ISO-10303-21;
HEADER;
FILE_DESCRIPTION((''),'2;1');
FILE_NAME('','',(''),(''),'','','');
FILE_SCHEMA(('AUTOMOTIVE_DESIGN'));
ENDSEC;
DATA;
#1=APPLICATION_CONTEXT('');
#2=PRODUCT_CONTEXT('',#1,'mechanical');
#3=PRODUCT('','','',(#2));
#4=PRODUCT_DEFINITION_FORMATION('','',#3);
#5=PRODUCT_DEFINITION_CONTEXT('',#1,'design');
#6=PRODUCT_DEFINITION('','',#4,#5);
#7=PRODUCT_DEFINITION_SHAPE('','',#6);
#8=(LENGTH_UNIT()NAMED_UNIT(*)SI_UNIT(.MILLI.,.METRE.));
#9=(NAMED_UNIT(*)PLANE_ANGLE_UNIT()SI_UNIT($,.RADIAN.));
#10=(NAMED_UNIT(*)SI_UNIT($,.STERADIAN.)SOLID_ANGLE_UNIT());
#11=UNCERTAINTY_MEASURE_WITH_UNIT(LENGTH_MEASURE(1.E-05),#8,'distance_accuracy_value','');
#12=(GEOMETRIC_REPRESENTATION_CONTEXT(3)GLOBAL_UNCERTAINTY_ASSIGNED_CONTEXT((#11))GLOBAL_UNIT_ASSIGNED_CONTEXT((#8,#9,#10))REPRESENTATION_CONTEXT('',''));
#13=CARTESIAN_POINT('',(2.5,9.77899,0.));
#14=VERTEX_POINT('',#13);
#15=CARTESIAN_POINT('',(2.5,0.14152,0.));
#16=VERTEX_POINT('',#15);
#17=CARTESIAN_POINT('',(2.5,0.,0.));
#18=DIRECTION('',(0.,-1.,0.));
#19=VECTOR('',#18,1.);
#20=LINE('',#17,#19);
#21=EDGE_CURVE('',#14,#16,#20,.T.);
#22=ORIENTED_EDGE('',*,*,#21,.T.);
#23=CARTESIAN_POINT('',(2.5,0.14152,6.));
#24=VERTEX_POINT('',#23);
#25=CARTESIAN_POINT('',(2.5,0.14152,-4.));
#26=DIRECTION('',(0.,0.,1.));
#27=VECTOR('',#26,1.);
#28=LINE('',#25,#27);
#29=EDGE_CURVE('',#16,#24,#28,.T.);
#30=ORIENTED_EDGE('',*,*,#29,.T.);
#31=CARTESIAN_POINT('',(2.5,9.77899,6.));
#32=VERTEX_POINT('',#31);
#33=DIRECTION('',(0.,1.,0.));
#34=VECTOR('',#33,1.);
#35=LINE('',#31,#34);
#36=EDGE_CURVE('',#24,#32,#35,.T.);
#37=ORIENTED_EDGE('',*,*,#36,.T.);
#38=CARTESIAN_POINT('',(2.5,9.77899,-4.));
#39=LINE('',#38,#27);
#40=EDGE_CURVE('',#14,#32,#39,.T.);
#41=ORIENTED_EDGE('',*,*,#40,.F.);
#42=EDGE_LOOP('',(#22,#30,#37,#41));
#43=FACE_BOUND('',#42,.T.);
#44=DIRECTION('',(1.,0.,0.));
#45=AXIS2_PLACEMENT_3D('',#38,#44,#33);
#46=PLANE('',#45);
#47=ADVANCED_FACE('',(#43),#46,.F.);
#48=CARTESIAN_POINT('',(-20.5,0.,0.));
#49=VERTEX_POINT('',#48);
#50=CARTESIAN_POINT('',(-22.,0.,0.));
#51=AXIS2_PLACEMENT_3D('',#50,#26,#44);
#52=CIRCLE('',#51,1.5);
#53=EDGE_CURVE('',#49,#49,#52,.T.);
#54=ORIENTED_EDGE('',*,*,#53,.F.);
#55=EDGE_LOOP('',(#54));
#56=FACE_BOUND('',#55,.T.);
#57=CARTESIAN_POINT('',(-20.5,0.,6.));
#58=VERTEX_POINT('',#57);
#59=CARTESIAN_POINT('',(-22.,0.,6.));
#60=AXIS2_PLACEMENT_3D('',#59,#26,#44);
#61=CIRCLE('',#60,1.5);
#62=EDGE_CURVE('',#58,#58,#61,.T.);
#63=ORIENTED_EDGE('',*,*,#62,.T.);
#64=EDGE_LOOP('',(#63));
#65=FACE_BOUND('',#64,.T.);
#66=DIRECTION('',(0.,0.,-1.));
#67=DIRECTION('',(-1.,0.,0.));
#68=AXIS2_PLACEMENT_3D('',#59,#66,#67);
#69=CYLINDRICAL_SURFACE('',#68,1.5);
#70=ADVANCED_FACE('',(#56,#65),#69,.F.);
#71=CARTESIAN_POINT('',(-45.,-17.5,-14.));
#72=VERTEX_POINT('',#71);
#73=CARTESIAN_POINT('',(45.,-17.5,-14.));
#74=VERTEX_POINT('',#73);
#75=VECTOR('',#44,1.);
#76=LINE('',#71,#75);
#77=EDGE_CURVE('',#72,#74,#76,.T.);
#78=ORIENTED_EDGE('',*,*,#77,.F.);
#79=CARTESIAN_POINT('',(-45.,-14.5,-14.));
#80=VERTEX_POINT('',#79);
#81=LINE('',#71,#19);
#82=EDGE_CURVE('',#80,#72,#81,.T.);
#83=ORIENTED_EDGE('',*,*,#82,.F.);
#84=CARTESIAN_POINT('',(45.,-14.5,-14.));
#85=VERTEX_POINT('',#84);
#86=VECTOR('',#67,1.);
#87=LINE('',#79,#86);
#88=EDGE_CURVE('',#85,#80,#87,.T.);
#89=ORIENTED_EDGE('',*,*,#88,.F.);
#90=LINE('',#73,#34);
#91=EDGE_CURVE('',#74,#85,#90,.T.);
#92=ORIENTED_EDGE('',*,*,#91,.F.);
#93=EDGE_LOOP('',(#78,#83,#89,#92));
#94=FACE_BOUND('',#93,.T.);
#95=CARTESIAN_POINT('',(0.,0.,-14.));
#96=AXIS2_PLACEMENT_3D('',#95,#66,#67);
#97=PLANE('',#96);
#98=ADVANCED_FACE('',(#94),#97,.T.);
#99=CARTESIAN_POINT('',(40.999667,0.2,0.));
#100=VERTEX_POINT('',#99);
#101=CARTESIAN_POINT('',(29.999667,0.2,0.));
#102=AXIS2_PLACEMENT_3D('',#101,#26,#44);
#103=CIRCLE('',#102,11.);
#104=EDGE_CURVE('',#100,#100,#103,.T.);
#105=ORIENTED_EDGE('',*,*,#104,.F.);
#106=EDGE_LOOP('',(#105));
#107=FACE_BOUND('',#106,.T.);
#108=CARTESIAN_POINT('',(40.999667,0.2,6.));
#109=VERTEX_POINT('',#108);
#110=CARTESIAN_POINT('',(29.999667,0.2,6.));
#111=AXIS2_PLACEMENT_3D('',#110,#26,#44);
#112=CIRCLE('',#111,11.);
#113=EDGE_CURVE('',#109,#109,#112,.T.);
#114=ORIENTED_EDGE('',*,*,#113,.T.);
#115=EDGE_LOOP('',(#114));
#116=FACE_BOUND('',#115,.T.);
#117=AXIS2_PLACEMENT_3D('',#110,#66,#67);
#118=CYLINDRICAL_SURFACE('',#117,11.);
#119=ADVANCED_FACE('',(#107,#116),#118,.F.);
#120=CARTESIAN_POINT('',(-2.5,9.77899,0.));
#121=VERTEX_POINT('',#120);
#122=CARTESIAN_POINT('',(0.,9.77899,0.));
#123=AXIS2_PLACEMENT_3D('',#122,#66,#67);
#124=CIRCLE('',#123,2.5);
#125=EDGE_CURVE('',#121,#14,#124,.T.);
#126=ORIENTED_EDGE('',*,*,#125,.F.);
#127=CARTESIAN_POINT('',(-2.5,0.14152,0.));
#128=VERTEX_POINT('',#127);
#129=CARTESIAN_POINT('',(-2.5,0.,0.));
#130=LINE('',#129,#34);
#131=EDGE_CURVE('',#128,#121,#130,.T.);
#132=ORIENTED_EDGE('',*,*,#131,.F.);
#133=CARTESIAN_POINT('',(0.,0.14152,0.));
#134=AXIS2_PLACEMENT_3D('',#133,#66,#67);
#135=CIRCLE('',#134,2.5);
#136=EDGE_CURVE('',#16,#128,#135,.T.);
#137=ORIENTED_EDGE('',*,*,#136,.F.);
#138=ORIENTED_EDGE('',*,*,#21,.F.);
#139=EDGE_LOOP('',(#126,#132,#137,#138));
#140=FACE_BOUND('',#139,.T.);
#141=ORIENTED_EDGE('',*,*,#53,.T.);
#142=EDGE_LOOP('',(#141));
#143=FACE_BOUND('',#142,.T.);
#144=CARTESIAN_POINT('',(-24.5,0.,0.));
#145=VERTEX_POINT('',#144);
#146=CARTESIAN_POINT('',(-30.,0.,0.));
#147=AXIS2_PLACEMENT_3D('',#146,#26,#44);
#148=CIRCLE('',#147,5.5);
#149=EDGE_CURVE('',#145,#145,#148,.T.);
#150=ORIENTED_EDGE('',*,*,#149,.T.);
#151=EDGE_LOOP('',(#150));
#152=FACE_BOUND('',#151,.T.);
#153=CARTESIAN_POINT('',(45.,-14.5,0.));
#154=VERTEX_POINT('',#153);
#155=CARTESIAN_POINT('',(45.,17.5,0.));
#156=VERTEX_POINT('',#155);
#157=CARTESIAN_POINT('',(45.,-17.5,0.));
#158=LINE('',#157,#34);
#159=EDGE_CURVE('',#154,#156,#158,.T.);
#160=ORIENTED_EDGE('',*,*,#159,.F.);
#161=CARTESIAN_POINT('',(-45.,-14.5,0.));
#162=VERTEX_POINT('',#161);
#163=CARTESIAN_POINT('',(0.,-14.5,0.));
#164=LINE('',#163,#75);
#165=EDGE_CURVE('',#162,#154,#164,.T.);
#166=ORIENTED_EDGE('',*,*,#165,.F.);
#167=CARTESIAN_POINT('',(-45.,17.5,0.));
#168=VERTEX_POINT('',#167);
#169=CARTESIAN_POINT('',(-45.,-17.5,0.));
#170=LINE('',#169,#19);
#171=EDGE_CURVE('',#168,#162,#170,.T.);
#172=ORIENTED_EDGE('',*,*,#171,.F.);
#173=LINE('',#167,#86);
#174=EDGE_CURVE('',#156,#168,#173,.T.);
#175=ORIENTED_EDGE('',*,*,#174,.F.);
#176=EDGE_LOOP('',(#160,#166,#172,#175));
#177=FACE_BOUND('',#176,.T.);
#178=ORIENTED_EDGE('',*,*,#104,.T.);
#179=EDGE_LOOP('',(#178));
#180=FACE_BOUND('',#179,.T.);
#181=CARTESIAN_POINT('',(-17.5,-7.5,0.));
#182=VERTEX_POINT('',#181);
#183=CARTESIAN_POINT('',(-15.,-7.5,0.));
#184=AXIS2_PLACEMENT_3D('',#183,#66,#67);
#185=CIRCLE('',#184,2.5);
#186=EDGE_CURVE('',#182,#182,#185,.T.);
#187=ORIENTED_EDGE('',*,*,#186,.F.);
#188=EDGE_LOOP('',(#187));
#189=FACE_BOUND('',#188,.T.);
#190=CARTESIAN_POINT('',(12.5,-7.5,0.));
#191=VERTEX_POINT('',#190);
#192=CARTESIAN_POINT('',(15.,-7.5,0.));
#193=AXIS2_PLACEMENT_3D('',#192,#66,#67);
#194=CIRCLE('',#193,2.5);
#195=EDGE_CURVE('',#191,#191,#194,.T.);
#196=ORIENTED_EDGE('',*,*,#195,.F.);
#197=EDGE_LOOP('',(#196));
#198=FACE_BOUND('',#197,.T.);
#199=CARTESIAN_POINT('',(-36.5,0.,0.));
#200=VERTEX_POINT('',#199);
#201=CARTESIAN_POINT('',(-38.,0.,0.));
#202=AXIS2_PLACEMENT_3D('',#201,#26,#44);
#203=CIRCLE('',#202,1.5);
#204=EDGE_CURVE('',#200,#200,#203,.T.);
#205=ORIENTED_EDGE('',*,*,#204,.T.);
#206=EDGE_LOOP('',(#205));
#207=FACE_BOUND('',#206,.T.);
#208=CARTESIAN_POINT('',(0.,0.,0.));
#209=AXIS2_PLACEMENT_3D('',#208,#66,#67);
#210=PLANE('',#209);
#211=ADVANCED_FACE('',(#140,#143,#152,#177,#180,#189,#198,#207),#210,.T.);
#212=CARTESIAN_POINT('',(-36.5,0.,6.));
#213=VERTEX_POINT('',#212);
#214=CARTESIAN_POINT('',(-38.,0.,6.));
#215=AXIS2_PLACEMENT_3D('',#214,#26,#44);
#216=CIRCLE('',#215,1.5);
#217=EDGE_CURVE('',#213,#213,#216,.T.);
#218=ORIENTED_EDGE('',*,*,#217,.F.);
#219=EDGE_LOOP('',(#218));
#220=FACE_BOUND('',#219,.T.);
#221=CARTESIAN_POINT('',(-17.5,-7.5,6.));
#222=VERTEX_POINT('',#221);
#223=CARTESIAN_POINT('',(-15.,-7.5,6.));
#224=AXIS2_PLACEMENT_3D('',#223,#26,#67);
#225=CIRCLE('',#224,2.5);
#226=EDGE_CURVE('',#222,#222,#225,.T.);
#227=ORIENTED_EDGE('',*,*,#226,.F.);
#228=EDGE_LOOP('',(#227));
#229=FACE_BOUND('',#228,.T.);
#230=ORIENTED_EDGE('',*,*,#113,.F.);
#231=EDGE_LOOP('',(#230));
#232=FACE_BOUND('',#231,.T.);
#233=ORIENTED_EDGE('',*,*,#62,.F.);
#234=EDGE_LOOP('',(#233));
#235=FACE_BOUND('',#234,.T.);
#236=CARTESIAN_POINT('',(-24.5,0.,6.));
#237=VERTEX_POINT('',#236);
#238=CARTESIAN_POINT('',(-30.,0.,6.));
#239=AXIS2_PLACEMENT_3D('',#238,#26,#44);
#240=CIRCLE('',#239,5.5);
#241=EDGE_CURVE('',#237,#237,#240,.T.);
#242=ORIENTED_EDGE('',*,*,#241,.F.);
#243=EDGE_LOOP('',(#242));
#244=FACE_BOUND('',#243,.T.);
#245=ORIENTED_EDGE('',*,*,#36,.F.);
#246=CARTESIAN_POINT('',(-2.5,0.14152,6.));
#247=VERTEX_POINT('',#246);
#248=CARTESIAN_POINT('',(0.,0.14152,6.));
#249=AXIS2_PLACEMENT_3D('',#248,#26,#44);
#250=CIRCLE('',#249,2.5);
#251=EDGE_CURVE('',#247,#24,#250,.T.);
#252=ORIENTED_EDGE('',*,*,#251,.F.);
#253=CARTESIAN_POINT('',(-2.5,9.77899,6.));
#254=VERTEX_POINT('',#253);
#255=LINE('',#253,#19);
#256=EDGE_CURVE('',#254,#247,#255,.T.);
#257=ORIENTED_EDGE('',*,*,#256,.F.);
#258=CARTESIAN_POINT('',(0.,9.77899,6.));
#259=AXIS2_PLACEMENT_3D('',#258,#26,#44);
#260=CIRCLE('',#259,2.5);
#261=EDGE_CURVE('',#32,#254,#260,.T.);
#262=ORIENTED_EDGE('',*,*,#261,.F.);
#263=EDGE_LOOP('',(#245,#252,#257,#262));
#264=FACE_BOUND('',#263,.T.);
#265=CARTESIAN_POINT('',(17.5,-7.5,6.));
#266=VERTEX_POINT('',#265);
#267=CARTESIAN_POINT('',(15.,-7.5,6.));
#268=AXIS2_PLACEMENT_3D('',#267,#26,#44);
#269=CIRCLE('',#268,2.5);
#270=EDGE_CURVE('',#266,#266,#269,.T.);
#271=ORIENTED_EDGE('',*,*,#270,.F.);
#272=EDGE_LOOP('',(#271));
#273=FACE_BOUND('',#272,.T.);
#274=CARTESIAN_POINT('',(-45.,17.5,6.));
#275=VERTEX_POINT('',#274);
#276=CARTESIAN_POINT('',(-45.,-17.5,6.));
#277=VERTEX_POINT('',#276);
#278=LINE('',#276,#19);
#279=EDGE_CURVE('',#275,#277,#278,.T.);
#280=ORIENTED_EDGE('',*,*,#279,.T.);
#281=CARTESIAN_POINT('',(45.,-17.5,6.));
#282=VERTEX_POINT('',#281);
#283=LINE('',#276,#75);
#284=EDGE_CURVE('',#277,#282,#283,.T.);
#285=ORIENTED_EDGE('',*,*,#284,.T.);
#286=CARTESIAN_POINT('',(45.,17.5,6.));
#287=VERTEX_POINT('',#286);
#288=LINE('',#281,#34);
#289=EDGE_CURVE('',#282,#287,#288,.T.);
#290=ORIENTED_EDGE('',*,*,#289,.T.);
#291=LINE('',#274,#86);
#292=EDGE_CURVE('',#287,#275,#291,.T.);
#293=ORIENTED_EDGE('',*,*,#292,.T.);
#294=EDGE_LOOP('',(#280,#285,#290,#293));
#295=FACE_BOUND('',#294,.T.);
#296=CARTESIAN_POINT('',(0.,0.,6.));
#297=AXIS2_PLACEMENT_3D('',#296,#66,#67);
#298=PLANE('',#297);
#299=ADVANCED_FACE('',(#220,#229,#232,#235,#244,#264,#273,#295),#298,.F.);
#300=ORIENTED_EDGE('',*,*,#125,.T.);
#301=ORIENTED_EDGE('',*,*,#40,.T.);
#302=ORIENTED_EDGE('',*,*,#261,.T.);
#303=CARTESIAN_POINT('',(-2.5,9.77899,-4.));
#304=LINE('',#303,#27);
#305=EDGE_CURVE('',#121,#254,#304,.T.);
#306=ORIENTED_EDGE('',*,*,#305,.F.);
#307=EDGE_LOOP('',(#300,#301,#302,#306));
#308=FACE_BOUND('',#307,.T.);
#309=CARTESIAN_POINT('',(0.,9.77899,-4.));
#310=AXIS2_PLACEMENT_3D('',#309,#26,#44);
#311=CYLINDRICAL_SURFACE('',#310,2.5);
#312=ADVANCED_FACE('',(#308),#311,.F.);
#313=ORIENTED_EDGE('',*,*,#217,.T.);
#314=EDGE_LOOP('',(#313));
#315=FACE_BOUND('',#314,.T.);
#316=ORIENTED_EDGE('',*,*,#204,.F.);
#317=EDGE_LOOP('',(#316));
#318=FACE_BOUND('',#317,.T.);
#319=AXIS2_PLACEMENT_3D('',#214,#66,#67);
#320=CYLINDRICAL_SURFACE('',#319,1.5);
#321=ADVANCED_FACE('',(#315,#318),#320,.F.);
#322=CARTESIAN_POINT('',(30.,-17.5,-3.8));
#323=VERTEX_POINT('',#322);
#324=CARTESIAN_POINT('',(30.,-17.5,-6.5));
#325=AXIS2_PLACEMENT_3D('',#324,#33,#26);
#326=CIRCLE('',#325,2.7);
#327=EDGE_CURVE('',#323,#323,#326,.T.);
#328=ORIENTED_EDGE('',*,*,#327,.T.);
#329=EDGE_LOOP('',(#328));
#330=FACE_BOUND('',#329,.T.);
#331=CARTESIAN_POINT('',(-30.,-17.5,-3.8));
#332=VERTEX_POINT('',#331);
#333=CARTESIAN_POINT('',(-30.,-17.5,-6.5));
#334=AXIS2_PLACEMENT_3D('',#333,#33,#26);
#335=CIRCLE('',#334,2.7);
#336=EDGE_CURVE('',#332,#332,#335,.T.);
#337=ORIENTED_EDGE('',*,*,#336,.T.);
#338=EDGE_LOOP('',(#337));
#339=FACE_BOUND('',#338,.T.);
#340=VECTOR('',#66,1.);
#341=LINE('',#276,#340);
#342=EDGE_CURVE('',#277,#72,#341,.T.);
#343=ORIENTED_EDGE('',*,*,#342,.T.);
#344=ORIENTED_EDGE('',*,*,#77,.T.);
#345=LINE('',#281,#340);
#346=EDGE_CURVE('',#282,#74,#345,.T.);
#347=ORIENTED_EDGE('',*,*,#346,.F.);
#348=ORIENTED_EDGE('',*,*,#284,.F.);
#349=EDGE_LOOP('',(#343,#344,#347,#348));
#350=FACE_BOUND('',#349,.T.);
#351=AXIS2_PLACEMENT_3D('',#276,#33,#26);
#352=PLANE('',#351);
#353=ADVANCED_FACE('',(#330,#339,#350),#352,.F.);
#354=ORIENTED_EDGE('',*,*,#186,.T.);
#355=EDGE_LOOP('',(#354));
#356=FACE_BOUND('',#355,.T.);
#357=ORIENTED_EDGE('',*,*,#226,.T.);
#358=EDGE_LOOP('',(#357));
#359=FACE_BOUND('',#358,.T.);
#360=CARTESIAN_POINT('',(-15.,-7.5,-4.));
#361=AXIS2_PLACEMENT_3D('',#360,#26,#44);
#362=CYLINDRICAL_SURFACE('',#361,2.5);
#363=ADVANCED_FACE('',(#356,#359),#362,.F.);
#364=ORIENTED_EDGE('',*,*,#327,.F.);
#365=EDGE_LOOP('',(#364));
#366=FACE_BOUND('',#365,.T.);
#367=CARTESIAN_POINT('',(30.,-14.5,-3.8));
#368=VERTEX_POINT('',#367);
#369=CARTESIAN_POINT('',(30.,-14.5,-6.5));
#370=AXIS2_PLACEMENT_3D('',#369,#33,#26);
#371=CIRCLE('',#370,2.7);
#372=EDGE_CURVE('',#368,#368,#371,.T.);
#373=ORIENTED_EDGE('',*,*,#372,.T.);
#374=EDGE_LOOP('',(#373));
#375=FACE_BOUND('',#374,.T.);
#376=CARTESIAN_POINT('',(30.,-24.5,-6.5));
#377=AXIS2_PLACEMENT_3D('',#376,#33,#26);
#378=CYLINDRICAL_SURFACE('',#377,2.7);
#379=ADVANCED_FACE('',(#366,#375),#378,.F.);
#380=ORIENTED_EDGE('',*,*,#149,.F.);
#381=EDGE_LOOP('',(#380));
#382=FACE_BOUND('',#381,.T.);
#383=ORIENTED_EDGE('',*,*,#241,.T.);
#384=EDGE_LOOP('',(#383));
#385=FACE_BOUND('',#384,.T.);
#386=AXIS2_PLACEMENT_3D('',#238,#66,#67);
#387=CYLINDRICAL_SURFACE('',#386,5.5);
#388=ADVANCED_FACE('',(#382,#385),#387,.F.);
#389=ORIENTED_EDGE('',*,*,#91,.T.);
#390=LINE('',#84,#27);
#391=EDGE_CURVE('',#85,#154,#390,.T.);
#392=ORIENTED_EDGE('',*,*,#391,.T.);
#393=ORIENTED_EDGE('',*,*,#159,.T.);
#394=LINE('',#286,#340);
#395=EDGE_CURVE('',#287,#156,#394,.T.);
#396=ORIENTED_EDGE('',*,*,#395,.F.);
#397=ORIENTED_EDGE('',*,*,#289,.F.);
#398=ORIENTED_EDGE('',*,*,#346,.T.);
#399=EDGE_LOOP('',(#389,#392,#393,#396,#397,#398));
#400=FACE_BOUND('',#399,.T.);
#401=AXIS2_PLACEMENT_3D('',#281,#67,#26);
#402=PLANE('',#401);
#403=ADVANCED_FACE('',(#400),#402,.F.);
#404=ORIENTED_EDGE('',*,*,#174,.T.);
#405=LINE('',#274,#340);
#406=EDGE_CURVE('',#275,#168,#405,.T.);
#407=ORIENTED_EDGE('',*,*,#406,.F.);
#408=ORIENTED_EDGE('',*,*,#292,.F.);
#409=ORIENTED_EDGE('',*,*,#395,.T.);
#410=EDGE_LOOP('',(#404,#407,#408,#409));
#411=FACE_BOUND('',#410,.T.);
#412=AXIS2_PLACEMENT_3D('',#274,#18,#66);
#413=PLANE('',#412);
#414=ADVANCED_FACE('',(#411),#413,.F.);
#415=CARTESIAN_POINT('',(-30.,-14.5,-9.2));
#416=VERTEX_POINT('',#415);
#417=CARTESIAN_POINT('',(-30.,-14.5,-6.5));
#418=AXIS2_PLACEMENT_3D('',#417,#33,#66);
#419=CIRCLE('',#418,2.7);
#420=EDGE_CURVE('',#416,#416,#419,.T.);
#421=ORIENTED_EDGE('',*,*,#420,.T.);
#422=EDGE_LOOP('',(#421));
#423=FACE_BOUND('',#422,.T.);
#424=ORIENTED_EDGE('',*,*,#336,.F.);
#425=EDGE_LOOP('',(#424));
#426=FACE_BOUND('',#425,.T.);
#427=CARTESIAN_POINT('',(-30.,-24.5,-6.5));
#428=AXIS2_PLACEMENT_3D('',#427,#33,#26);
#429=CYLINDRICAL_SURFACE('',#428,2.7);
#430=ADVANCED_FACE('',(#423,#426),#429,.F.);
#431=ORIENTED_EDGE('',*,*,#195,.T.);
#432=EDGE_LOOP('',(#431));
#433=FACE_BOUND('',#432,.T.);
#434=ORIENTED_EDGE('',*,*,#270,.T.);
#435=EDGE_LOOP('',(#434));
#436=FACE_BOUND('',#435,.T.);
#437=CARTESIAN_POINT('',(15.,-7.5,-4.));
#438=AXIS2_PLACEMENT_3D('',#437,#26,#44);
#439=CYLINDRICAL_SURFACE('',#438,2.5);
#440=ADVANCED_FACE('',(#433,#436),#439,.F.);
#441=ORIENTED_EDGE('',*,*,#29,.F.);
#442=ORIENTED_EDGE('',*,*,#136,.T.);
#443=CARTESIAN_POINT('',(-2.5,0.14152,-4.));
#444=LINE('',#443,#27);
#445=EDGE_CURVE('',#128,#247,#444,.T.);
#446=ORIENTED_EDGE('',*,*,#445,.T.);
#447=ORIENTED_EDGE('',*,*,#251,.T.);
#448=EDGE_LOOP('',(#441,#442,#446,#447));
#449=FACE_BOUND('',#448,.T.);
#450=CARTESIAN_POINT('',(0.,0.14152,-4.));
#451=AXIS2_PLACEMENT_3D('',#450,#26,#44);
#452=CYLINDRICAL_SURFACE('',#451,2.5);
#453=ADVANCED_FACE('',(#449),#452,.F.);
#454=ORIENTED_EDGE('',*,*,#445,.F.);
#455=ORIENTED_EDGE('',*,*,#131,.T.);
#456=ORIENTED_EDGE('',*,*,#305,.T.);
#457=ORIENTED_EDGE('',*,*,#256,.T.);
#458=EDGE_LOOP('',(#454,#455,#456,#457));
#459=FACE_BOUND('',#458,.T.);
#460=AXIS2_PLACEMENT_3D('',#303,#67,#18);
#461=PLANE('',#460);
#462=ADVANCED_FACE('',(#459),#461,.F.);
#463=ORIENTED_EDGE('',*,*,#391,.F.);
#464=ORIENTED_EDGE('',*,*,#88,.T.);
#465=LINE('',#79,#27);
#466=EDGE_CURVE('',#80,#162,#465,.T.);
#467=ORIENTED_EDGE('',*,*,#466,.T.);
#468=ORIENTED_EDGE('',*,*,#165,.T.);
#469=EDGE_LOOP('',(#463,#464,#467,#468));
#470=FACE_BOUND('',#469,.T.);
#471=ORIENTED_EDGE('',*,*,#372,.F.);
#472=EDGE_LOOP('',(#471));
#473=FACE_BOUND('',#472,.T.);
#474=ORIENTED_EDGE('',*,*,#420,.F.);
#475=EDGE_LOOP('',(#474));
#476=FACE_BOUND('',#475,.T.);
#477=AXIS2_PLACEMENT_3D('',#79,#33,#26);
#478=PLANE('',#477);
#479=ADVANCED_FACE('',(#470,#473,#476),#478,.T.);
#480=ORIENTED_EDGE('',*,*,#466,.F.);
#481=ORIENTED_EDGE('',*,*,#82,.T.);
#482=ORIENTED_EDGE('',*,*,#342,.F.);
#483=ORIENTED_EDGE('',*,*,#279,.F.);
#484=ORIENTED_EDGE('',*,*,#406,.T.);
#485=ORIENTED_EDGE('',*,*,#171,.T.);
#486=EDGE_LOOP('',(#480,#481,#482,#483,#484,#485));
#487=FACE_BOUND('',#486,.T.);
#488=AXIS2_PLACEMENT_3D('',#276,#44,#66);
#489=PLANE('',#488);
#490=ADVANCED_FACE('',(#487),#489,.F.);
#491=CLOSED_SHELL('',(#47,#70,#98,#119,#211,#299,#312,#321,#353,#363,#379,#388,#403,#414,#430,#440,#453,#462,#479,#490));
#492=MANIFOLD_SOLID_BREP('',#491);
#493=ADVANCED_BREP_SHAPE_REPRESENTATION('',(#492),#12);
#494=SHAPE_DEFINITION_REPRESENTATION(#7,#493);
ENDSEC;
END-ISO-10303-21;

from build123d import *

# Parameters (mm, degrees)
SKETCH1_W           = 90
SKETCH1_H           = 35
SKETCH1_R           = 5.5
SKETCH1_R_2         = 1.5
SKETCH1_R_3         = 11
BOSS_EXTRUDE1_DEPTH = 6
SKETCH2_W           = 90
SKETCH2_H           = 3
BOSS_EXTRUDE2_DEPTH = 20
SKETCH4_R           = 2.5
CUT_EXTRUDE1_DEPTH  = 10
SKETCH5_R           = 2.7
CUT_EXTRUDE2_DEPTH  = 10


with BuildPart() as part:
    # Sketch1 → Boss-Extrude1 (new body)
    with BuildSketch(Plane.XY):
        Rectangle(SKETCH1_W, SKETCH1_H)
        with Locations((-30, 0)):
            Circle(SKETCH1_R, mode=Mode.SUBTRACT)
        with Locations((-38, 0)):
            Circle(SKETCH1_R_2, mode=Mode.SUBTRACT)
        with Locations((-22, 0)):
            Circle(SKETCH1_R_2, mode=Mode.SUBTRACT)
        with Locations((29.999666666, 0.2)):
            Circle(SKETCH1_R_3, mode=Mode.SUBTRACT)
    extrude(amount=BOSS_EXTRUDE1_DEPTH)

    # Sketch2 → Boss-Extrude2 (add)
    with BuildSketch(Plane.XY.offset(6)):
        with Locations((0, -16)):
            Rectangle(SKETCH2_W, SKETCH2_H)
    extrude(amount=-BOSS_EXTRUDE2_DEPTH)

    # Sketch4 → Cut-Extrude1 (cut)
    with BuildSketch(Plane.XY.offset(6)):
        with Locations((15, -7.5)):
            Circle(SKETCH4_R)
        with Locations(Location((-15, -7.5, 0), (0, 0, 180))):
            Circle(SKETCH4_R)
        with BuildLine():
            Line((2.5, 9.778989608), (2.5, 0.141519694))
            ThreePointArc((2.5, 0.141519694), (0, -2.358480306), (-2.5, 0.141519694))
            Line((-2.5, 0.141519694), (-2.5, 9.778989608))
            ThreePointArc((-2.5, 9.778989608), (0, 12.278989608), (2.5, 9.778989608))
        make_face()
    extrude(amount=-CUT_EXTRUDE1_DEPTH, mode=Mode.SUBTRACT)

    # Sketch5 → Cut-Extrude2 (cut)
    with BuildSketch(Plane(origin=(0, -14.5, 0), x_dir=(1, 0, 0), z_dir=(0, 1, 0))):
        with Locations(Location((30, 6.5, 0), (0, 0, 270))):
            Circle(SKETCH5_R)
        with Locations(Location((-30, 6.5, 0), (0, 0, 270))):
            Circle(SKETCH5_R)
    extrude(amount=-CUT_EXTRUDE2_DEPTH, mode=Mode.SUBTRACT)


solid = part.part
